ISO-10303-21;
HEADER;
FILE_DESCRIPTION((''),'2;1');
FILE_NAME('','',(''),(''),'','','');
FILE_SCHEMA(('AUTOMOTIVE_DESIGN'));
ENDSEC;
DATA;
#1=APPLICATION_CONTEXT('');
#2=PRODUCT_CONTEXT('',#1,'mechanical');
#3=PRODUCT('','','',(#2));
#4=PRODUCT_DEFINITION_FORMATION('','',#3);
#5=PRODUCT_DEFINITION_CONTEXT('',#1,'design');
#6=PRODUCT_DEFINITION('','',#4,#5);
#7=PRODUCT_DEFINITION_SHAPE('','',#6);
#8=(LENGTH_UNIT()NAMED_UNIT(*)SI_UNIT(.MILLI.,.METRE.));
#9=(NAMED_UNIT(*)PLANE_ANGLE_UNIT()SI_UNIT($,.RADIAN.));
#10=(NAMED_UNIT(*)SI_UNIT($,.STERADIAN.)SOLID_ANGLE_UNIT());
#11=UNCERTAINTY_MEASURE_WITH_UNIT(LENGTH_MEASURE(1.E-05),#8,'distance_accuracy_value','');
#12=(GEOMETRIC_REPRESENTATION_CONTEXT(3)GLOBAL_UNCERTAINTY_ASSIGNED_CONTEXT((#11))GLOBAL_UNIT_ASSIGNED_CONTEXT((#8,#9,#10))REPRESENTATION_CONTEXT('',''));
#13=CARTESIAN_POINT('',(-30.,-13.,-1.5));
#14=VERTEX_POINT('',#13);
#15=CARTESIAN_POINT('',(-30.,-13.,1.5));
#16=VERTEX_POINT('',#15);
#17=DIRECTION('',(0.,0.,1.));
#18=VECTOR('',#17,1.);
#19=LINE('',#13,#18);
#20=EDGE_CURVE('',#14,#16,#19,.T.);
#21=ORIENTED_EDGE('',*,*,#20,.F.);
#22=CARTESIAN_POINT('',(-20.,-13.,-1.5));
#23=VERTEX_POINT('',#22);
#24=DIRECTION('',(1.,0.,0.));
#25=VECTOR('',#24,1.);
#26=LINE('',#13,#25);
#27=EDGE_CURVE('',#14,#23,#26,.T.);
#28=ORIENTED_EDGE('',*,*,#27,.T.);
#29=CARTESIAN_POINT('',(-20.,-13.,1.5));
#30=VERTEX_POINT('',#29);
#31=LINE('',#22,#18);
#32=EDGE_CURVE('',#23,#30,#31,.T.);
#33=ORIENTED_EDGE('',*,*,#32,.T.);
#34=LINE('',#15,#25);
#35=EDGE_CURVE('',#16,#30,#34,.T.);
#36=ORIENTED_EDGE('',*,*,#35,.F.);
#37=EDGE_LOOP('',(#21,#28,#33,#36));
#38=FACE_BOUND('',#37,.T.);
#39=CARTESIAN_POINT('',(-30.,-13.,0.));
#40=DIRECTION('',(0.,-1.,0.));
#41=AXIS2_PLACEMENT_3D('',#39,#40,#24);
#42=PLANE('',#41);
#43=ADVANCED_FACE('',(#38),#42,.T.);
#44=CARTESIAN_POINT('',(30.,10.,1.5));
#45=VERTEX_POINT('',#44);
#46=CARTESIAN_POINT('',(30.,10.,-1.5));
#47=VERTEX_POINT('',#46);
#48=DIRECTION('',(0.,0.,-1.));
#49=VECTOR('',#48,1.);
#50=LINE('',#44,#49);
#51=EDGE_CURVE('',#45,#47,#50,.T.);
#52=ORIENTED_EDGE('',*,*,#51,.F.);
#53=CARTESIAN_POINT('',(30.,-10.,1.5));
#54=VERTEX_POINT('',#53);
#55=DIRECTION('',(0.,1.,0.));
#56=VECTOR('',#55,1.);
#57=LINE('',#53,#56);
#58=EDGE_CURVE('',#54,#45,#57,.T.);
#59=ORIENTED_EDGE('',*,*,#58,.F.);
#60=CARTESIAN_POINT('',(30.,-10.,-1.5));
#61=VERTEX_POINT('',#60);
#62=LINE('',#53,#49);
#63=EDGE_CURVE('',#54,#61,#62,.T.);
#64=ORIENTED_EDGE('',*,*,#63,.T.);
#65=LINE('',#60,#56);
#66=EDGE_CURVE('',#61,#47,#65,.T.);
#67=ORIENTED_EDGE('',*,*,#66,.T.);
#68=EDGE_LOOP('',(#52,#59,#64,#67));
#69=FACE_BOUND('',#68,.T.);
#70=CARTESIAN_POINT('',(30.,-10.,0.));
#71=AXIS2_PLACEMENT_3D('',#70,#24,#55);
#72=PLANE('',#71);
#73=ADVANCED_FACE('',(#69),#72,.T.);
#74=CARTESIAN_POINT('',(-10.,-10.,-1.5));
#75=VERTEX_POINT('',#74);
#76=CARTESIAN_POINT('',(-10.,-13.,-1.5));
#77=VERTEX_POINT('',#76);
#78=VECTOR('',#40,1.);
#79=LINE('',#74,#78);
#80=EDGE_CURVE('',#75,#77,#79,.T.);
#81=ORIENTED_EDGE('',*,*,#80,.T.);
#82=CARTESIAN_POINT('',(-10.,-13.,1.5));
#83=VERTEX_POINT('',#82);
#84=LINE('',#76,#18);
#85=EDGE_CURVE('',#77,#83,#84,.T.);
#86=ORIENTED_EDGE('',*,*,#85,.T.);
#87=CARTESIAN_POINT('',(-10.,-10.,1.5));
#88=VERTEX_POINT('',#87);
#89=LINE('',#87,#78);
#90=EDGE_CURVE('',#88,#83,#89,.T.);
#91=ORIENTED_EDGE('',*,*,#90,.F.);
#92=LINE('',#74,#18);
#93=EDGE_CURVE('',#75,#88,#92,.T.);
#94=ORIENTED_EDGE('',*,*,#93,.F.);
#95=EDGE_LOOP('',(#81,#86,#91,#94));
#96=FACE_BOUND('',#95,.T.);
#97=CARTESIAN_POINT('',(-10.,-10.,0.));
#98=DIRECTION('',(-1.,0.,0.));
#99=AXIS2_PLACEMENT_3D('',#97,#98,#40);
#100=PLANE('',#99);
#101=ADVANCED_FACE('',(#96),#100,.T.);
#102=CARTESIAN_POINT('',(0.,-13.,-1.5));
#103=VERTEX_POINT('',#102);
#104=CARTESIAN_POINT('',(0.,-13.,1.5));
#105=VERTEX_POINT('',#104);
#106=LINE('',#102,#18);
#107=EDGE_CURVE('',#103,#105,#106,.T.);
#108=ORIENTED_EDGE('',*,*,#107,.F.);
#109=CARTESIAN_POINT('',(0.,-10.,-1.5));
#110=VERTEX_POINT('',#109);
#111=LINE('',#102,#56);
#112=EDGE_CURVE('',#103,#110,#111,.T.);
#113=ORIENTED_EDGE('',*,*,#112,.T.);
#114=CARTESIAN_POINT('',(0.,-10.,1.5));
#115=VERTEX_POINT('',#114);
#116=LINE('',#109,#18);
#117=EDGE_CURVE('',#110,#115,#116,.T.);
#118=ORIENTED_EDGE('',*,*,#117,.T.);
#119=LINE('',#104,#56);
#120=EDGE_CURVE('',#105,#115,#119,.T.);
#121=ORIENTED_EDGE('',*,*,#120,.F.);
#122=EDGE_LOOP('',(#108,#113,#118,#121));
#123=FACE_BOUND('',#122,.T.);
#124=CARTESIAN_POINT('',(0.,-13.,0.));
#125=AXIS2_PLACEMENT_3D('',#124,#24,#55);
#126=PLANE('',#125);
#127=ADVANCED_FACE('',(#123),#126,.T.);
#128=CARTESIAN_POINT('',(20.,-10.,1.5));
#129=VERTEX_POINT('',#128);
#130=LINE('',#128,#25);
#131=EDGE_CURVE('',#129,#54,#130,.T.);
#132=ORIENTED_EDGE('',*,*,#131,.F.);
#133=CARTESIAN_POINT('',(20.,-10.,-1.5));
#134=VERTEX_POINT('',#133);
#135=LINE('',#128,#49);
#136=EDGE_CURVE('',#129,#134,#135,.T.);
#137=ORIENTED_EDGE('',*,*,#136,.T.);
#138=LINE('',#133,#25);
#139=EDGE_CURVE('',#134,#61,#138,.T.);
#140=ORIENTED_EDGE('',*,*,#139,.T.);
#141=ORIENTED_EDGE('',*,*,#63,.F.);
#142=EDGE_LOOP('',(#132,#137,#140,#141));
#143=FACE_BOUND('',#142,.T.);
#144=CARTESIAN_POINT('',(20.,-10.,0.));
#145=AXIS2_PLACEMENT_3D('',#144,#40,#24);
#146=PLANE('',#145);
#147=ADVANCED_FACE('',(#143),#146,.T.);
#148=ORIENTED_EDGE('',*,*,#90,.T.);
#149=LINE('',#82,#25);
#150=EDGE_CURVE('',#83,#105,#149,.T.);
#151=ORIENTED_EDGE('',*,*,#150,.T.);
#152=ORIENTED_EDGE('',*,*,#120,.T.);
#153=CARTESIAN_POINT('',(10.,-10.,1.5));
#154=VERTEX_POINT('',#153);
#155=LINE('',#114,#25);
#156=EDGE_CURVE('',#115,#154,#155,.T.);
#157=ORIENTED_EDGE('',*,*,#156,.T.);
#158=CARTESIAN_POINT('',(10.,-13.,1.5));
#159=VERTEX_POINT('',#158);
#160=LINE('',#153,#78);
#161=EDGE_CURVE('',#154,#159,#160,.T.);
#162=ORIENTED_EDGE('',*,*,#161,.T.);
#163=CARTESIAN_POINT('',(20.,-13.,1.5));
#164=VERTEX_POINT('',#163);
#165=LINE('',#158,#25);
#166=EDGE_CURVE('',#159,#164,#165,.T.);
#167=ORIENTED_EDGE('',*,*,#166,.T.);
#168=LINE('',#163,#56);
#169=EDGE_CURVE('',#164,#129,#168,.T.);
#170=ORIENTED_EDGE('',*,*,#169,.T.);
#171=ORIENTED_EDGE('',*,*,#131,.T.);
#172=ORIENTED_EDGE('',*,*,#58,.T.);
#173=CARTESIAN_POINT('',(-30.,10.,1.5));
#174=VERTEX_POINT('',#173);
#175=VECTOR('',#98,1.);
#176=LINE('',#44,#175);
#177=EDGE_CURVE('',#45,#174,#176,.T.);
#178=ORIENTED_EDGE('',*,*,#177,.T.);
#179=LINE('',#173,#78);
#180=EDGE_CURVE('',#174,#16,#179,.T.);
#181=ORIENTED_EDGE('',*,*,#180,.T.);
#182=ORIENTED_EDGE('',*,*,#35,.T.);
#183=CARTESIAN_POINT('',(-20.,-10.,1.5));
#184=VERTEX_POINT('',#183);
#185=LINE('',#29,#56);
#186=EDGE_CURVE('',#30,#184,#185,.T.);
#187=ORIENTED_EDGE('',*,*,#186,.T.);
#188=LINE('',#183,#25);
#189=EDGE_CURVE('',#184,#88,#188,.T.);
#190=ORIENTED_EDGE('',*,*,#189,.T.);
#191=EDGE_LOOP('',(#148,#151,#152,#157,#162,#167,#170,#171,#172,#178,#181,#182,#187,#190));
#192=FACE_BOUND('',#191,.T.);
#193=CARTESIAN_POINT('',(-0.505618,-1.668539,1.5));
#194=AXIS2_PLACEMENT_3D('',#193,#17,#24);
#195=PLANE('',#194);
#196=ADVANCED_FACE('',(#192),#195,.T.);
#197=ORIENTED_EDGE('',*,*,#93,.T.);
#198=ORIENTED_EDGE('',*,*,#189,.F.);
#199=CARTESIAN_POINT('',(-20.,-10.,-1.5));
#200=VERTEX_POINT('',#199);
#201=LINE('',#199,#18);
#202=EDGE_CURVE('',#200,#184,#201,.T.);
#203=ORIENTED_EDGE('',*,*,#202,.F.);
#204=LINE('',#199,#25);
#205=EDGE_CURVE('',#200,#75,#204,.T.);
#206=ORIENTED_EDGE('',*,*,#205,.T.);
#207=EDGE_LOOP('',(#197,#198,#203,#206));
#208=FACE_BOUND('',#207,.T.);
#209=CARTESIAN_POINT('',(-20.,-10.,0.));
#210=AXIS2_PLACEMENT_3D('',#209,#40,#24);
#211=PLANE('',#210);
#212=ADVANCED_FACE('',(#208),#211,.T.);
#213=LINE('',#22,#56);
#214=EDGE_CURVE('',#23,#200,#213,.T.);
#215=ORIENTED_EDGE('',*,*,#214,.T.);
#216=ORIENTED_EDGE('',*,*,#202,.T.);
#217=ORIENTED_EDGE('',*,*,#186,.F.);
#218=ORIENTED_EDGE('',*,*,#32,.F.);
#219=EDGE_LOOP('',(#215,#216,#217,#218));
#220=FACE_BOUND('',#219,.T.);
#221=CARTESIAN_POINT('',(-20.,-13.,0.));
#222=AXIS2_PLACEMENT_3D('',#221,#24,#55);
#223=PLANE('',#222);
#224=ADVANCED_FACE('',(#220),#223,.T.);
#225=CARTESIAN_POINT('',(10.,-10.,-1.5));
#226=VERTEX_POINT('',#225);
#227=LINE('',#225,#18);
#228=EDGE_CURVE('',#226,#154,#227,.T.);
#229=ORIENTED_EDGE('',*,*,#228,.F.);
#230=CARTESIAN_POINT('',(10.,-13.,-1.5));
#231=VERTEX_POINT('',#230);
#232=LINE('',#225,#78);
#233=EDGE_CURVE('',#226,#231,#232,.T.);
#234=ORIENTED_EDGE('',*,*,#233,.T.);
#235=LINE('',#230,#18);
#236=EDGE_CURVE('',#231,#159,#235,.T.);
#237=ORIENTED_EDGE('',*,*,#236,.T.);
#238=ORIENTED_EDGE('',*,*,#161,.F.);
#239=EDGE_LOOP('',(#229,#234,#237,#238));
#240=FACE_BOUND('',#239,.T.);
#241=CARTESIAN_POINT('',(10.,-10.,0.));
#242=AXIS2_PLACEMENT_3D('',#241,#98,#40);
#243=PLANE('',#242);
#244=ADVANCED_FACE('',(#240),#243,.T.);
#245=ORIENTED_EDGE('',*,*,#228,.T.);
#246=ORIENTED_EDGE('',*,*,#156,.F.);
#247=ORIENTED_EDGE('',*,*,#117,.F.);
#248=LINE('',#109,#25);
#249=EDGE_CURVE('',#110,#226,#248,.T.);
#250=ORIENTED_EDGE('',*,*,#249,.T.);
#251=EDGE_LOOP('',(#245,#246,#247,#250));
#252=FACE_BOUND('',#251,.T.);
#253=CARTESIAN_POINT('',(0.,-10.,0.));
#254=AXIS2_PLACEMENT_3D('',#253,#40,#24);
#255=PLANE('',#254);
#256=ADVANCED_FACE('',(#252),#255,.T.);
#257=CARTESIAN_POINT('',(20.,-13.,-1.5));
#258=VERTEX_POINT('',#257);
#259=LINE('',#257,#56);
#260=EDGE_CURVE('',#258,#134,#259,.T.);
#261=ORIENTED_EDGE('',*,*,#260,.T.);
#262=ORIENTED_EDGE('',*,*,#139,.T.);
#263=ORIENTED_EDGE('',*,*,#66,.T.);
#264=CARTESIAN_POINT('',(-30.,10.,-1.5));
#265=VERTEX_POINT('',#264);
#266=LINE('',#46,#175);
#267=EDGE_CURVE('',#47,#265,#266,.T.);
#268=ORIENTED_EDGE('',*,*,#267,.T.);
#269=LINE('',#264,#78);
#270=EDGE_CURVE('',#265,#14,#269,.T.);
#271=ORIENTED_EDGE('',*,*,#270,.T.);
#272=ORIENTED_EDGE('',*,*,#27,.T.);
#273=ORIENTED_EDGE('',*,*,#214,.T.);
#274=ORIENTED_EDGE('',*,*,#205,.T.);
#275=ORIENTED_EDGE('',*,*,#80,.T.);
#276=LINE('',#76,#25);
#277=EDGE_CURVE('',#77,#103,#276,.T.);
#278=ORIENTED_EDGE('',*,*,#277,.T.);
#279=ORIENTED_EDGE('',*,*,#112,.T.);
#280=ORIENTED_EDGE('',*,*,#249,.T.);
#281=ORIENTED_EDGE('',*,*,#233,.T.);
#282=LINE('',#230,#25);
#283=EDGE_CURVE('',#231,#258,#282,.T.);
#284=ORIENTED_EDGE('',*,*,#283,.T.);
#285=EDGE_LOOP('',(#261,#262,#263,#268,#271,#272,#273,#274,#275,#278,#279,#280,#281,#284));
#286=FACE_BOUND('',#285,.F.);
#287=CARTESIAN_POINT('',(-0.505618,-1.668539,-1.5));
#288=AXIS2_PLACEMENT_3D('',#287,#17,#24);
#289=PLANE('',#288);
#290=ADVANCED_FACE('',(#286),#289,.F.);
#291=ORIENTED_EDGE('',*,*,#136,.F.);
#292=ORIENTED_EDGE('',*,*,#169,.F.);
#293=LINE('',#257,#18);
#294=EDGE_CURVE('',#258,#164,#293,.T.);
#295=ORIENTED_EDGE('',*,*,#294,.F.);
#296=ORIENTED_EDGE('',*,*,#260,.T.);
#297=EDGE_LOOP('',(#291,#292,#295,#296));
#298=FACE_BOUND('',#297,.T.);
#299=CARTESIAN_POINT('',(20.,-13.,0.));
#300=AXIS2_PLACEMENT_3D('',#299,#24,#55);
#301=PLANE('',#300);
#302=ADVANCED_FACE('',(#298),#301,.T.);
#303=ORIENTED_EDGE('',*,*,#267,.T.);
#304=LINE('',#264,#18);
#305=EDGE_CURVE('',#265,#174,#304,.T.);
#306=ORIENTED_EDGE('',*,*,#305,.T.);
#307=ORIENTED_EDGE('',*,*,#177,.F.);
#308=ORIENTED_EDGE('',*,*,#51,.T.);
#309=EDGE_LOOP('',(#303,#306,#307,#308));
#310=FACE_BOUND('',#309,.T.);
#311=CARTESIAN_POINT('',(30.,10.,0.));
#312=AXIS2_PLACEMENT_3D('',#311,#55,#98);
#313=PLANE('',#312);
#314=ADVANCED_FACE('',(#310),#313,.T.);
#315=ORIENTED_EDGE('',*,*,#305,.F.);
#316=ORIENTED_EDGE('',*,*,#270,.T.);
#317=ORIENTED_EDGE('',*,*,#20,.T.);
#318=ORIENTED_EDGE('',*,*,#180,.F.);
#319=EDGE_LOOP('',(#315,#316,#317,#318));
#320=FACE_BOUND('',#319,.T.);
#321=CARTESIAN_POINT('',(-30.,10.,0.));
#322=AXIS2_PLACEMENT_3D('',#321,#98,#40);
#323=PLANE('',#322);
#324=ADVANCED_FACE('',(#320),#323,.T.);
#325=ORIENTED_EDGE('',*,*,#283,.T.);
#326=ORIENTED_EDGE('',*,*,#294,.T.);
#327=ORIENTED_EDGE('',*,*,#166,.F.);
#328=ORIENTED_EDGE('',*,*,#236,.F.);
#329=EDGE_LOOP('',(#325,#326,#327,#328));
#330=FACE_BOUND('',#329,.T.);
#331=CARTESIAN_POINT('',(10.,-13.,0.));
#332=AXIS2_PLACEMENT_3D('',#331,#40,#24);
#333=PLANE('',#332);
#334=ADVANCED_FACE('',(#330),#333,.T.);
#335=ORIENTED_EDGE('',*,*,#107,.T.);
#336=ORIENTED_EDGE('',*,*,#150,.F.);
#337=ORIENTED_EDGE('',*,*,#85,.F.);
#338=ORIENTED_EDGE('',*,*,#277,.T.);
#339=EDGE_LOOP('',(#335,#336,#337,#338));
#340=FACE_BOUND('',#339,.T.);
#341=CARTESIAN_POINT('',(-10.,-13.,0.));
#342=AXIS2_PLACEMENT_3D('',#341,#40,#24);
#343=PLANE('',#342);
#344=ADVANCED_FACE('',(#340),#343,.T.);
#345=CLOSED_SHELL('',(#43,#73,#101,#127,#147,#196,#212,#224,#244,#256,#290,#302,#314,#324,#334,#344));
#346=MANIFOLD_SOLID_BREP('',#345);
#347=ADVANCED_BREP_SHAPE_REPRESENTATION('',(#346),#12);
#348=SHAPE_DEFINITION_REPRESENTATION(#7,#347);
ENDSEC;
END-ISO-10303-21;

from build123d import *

# Parameters (mm, degrees)
F1_DEPTH = 1.5


with BuildPart() as f1:
    # F0 (on Top) → F1 (new body, symmetric)
    with BuildSketch(Plane.XY):
        Polygon((30, 10), (-30, 10), (-30, -10), (-30, -13), (-20, -13), (-20, -10), (-10, -10), (-10, -13), (0, -13), (0, -10), (10, -10), (10, -13), (20, -13), (20, -10), (30, -10), align=None)
    extrude(amount=F1_DEPTH, both=True)


solid = f1.part
